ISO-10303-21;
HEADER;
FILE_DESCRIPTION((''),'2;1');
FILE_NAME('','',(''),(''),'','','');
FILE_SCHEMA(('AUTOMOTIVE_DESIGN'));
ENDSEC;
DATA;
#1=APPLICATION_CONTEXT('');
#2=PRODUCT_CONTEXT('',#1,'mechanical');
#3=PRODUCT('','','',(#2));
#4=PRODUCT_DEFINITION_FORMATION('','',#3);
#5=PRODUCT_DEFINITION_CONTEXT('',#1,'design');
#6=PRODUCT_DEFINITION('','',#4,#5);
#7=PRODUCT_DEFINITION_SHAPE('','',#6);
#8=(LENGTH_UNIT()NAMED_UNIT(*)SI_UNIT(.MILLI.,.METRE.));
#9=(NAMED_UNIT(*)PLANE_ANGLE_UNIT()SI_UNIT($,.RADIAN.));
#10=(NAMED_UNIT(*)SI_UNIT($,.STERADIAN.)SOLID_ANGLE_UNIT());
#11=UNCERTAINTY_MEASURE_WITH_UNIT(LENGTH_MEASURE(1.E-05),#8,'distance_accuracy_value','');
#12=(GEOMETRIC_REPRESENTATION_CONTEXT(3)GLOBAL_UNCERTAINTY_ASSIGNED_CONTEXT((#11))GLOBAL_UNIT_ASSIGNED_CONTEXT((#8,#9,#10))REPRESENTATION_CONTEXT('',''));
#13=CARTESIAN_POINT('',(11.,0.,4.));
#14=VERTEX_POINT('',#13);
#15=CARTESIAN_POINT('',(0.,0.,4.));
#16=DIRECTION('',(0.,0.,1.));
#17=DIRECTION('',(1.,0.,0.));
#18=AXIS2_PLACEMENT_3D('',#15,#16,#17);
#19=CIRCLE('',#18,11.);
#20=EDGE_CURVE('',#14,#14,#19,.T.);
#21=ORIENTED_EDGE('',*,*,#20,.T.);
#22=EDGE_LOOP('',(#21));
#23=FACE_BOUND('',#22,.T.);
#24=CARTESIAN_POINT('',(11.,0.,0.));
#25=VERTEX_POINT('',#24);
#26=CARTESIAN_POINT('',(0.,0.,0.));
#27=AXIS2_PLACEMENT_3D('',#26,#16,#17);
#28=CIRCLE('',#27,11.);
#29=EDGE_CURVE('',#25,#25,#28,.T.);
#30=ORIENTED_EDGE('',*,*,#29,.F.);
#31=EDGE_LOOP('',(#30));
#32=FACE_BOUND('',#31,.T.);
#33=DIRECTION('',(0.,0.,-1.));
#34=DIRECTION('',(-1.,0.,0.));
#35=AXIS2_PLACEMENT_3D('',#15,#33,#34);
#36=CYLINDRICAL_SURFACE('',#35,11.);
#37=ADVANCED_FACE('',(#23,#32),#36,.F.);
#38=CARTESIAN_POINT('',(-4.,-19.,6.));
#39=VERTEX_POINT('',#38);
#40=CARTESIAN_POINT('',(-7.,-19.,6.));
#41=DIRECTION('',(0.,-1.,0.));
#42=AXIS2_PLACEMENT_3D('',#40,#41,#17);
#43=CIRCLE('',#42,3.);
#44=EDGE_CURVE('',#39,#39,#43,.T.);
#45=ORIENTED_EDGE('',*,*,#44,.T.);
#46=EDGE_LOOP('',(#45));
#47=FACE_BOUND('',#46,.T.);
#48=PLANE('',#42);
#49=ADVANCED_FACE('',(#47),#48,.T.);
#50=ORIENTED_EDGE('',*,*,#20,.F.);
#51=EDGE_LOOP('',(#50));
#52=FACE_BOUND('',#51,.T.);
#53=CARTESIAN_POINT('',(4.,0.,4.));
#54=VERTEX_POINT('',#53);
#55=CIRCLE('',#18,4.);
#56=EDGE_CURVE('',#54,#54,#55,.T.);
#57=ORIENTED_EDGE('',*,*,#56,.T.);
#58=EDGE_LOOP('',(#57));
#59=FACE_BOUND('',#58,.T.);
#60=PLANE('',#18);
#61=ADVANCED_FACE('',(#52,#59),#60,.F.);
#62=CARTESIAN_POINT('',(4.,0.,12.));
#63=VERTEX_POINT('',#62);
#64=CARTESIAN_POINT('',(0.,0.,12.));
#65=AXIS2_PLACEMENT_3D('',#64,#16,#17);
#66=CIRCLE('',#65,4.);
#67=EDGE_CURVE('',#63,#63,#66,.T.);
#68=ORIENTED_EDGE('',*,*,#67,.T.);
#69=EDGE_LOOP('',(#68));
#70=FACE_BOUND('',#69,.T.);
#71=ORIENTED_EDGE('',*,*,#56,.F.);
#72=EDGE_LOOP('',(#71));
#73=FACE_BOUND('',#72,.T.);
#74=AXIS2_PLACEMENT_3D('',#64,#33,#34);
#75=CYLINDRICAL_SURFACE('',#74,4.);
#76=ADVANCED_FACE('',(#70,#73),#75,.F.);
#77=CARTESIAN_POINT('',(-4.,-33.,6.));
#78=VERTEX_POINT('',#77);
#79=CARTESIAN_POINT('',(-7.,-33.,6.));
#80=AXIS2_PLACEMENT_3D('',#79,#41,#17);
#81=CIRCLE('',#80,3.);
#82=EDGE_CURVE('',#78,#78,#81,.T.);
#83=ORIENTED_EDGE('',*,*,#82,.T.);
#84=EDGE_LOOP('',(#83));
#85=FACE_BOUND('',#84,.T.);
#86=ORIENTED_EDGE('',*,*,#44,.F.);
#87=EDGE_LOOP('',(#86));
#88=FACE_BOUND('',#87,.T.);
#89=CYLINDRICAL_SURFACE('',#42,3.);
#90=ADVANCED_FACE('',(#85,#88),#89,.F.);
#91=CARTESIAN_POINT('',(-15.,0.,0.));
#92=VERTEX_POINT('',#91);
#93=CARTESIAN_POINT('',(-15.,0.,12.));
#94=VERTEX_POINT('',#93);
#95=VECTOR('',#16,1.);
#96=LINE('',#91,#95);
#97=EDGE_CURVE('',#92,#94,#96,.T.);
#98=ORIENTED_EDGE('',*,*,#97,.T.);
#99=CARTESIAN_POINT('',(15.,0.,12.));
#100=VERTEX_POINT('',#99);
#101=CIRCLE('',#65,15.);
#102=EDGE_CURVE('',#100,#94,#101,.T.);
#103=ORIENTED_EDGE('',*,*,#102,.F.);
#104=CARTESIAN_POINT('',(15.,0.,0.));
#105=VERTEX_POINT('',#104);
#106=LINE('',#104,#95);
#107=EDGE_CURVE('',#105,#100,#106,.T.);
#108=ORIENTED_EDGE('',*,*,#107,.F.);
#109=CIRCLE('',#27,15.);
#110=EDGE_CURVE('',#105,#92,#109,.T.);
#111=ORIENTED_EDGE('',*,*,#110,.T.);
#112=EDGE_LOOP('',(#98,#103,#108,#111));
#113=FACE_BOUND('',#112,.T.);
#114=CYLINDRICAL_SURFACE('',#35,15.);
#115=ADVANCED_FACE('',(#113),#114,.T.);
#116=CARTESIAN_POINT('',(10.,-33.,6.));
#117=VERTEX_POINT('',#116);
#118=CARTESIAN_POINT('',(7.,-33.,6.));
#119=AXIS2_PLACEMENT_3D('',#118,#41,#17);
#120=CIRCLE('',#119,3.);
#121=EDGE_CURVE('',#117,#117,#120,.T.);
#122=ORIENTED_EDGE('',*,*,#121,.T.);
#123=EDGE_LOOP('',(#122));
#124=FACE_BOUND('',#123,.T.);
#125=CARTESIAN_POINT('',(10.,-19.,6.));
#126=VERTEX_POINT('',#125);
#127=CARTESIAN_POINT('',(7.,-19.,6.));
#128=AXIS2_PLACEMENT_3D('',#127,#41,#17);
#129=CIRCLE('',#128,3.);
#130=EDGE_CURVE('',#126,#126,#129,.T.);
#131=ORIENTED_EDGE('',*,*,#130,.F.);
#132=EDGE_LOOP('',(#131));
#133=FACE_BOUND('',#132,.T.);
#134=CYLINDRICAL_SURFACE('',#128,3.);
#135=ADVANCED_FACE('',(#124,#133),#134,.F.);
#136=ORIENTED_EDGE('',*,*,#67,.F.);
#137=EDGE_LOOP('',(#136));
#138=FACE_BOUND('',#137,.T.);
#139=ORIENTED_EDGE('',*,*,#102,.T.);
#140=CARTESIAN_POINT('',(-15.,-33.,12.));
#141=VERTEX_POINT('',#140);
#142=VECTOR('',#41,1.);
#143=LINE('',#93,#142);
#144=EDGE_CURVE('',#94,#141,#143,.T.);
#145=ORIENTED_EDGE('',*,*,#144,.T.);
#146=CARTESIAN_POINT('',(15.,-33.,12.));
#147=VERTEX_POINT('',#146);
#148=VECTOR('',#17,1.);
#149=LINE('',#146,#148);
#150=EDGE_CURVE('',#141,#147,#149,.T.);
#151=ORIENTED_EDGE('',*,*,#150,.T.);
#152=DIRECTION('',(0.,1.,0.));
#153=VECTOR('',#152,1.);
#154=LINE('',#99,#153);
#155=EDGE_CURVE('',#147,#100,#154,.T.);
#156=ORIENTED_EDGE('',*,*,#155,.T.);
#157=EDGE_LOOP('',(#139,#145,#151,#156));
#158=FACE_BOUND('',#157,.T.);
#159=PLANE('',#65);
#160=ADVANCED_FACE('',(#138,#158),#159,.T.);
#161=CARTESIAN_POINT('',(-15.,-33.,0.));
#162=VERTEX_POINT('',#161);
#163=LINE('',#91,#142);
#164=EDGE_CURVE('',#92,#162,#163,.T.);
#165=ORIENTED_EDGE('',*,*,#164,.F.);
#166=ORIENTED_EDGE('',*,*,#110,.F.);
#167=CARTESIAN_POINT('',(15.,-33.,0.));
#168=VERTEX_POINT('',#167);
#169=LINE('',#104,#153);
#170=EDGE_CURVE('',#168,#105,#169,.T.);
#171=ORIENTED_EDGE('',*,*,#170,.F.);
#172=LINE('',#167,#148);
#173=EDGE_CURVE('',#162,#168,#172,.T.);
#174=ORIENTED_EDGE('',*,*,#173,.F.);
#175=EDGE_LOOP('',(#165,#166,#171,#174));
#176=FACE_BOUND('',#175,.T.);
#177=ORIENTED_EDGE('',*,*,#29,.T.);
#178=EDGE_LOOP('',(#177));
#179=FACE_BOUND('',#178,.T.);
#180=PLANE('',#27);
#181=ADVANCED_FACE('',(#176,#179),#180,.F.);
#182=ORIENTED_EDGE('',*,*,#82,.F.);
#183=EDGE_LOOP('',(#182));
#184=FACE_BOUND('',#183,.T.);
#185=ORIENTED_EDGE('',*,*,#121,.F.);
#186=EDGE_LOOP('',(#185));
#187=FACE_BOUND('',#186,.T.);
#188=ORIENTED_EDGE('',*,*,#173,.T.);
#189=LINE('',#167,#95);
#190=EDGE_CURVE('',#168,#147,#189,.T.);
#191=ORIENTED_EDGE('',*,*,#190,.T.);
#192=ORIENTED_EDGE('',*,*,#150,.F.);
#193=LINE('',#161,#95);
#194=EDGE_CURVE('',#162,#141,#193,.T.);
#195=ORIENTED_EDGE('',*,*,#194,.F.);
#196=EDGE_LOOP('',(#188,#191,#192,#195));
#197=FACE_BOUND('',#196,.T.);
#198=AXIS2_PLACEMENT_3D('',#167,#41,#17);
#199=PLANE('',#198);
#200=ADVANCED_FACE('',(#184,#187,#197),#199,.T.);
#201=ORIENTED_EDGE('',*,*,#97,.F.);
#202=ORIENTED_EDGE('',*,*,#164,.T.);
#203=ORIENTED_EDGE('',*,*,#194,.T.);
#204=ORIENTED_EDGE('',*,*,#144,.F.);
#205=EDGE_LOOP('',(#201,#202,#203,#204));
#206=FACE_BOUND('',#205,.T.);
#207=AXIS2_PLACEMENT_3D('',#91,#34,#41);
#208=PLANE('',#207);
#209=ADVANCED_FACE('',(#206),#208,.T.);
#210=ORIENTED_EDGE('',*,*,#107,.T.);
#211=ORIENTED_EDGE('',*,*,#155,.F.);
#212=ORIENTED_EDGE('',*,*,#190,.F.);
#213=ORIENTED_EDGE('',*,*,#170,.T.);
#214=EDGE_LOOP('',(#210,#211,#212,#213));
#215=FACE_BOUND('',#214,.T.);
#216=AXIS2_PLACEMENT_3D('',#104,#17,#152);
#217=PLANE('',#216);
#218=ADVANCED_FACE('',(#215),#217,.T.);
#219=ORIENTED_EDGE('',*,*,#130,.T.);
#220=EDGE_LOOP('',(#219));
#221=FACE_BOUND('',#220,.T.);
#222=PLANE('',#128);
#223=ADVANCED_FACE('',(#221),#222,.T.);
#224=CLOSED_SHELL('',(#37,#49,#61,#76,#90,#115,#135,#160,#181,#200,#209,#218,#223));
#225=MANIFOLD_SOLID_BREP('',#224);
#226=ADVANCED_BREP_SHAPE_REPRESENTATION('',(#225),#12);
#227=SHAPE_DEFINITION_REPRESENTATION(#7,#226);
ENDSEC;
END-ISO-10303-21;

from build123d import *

# Parameters (mm, degrees)
SKETCH2_R           = 15
SKETCH2_R_2         = 11
BOSS_EXTRUDE1_DEPTH = 4
SKETCH3_R           = 15
SKETCH3_R_2         = 4
BOSS_EXTRUDE2_DEPTH = 8
BOSS_EXTRUDE5_DEPTH = 12
SKETCH7_R           = 3
CUT_EXTRUDE1_DEPTH  = 14


with BuildPart() as part:
    # Sketch2 → Boss-Extrude1 (new body)
    with BuildSketch(Plane.XY):
        Circle(SKETCH2_R)
        Circle(SKETCH2_R_2, mode=Mode.SUBTRACT)
    extrude(amount=BOSS_EXTRUDE1_DEPTH)

    # Sketch3 → Boss-Extrude2 (add)
    with BuildSketch(Plane.XY.offset(4)):
        Circle(SKETCH3_R)
        Circle(SKETCH3_R_2, mode=Mode.SUBTRACT)
    extrude(amount=BOSS_EXTRUDE2_DEPTH)

    # Sketch6 → Boss-Extrude5 (add)
    with BuildSketch(Plane.XY.offset(12)):
        with BuildLine():
            Line((-15, 0), (-15, -33))
            Line((-15, -33), (15, -33))
            Line((15, -33), (15, 0))
            ThreePointArc((15, 0), (0, -15), (-15, 0))
        make_face()
    extrude(amount=-BOSS_EXTRUDE5_DEPTH)

    # Sketch7 → Cut-Extrude1 (cut)
    with BuildSketch(Plane.XZ.offset(33)):
        with Locations((7, 6)):
            Circle(SKETCH7_R)
        with Locations((-7, 6)):
            Circle(SKETCH7_R)
    extrude(amount=-CUT_EXTRUDE1_DEPTH, mode=Mode.SUBTRACT)


solid = part.part
